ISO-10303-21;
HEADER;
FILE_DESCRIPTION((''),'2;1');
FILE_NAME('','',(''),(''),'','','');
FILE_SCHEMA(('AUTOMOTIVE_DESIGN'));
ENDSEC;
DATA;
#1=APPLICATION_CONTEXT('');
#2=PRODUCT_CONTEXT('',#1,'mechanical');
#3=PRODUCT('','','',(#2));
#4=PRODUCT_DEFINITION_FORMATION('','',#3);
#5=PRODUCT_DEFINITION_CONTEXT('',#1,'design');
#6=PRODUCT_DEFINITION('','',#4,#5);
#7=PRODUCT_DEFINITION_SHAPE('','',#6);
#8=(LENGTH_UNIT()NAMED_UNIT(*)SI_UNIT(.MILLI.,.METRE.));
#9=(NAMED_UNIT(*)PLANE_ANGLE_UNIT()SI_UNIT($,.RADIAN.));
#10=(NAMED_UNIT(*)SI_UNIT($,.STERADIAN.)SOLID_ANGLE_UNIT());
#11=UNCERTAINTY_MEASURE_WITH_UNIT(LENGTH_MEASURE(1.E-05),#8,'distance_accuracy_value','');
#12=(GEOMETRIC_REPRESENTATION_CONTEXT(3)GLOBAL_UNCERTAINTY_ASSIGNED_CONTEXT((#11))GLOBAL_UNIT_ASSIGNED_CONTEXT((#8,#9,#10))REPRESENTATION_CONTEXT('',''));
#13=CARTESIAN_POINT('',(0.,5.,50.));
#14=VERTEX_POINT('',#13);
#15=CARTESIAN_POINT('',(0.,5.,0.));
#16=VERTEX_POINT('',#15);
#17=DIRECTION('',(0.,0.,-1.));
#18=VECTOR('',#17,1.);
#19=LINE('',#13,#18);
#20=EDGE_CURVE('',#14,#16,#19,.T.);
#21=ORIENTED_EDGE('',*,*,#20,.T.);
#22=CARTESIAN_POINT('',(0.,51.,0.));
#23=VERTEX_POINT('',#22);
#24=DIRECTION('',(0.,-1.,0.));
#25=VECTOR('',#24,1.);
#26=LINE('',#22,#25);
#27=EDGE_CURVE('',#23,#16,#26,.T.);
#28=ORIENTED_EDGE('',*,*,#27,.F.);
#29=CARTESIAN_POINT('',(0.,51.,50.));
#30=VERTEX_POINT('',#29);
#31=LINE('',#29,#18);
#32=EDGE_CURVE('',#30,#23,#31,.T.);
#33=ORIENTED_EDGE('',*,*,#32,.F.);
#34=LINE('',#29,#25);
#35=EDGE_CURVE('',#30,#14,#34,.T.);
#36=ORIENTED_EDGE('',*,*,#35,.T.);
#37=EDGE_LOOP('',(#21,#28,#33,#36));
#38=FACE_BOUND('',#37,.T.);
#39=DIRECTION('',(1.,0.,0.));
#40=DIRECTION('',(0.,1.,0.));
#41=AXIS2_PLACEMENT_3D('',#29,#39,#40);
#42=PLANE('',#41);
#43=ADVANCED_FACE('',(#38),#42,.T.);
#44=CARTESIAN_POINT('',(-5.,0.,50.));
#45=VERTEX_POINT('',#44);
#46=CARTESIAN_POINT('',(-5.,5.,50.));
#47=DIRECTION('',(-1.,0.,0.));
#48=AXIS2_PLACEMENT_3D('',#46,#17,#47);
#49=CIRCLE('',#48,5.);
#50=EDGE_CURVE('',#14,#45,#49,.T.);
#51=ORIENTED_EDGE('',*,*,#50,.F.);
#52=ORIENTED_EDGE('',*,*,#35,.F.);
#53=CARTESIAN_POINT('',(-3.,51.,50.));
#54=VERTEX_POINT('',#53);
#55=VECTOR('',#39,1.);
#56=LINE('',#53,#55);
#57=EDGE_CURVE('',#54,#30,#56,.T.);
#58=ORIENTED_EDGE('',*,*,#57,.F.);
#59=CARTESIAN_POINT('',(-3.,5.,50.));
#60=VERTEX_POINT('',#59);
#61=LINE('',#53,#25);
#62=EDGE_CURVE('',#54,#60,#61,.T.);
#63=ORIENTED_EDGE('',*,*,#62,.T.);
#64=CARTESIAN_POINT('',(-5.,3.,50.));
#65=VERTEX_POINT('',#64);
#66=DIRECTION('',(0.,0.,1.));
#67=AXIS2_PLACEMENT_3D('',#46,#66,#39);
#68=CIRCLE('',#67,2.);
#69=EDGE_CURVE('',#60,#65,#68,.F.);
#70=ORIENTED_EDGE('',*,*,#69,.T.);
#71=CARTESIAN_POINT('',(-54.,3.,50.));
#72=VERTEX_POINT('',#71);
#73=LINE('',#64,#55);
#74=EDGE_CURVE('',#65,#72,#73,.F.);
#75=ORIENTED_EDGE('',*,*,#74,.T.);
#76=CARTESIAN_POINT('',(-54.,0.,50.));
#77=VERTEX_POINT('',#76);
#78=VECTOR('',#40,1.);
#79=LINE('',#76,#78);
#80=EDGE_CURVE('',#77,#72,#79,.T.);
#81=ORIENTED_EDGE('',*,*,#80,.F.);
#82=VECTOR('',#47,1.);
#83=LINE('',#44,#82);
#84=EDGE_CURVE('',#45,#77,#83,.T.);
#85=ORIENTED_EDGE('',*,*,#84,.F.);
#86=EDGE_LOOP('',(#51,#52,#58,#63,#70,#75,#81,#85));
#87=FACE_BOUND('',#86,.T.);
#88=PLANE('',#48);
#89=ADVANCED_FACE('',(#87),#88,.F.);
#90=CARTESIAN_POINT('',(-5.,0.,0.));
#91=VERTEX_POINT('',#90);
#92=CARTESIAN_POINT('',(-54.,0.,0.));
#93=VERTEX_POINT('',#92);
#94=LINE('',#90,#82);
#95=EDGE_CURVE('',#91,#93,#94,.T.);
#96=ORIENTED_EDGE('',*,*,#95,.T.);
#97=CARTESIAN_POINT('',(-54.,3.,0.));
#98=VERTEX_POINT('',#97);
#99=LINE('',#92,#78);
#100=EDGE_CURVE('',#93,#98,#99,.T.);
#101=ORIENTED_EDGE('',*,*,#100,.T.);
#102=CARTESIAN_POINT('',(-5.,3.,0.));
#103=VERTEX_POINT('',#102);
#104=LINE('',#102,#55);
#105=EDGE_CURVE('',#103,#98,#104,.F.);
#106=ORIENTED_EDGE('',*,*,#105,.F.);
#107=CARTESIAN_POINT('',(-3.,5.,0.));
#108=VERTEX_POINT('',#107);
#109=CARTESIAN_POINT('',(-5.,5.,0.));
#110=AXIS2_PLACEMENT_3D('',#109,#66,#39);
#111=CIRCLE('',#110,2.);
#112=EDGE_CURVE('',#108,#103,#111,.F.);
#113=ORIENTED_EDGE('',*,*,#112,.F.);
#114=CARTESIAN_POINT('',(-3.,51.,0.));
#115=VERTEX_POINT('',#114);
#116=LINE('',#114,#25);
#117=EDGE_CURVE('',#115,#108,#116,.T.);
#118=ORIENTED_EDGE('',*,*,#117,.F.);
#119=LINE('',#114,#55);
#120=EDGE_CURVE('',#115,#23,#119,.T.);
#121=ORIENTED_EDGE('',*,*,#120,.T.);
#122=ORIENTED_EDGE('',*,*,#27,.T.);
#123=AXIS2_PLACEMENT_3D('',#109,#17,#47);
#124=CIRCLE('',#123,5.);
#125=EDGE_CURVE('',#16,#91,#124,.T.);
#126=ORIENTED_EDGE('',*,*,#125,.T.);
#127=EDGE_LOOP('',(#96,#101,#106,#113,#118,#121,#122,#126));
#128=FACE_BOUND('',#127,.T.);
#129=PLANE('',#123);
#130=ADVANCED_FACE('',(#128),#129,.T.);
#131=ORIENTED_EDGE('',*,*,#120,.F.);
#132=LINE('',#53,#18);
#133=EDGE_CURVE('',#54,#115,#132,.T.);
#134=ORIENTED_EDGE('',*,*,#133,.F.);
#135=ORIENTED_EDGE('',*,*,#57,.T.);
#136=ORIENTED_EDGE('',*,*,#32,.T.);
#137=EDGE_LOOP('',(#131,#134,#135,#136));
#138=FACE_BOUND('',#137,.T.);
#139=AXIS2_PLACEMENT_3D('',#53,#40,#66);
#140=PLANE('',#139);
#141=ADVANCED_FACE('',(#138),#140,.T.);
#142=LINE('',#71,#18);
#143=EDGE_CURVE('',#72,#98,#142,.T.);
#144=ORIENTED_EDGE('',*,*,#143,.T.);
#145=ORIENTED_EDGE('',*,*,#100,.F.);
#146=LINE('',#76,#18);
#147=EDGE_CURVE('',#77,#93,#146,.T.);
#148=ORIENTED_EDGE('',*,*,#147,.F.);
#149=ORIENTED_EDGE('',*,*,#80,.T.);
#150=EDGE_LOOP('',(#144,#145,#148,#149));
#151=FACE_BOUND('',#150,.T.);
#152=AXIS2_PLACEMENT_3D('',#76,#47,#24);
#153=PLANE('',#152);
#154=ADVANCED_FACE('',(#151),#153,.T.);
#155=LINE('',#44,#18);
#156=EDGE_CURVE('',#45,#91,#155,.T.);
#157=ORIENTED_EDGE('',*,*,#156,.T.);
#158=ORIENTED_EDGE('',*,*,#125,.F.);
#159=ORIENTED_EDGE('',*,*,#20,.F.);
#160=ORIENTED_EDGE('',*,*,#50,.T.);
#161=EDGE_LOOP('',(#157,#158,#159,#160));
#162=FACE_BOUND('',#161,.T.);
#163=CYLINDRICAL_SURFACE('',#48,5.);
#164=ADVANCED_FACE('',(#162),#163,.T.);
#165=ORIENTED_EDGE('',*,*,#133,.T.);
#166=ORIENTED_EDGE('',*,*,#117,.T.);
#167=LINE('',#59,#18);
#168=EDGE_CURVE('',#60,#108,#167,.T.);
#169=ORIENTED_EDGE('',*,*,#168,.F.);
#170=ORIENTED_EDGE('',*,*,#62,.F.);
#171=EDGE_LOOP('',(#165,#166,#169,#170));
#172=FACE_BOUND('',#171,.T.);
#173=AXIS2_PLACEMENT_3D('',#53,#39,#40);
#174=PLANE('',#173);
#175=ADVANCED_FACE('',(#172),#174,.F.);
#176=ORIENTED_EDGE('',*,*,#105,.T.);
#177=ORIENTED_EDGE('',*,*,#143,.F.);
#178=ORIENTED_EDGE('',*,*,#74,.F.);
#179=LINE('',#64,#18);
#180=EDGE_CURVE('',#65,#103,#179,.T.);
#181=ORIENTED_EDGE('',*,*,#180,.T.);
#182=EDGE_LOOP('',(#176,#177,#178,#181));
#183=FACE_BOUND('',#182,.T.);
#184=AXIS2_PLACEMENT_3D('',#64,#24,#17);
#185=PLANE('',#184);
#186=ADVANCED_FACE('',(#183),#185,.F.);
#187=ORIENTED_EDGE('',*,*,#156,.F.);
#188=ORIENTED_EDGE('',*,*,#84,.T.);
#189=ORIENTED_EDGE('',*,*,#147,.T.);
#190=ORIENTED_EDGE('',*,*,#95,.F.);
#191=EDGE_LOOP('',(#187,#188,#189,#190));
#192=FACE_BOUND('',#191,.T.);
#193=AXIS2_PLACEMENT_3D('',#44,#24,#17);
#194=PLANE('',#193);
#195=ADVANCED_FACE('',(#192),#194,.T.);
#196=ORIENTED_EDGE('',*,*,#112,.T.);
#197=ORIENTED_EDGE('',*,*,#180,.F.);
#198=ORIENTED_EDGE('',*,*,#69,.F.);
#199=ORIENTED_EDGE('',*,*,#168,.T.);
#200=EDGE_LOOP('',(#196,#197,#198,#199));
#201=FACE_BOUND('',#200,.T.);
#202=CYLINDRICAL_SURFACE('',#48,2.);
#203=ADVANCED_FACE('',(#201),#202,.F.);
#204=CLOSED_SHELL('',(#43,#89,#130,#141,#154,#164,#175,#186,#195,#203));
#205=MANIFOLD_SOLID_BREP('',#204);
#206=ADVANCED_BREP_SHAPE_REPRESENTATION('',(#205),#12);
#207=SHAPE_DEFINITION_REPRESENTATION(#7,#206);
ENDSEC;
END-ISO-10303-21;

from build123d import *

# Parameters (mm, degrees)
EXTRUDE_THIN1_DEPTH = 50


with BuildPart() as part:
    # Sketch1 → Extrude-Thin1 (new body)
    with BuildSketch(Plane.XY):
        with BuildLine():
            Line((0, 51), (0, 5))
            ThreePointArc((0, 5), (-1.464466094, 1.464466094), (-5, 0))
            Line((-5, 0), (-54, 0))
            Line((-54, 0), (-54, 3))
            Line((-54, 3), (-5, 3))
            ThreePointArc((-5, 3), (-3.585786438, 3.585786438), (-3, 5))
            Line((-3, 5), (-3, 51))
            Line((-3, 51), (0, 51))
        make_face()
    extrude(amount=EXTRUDE_THIN1_DEPTH)


solid = part.part
